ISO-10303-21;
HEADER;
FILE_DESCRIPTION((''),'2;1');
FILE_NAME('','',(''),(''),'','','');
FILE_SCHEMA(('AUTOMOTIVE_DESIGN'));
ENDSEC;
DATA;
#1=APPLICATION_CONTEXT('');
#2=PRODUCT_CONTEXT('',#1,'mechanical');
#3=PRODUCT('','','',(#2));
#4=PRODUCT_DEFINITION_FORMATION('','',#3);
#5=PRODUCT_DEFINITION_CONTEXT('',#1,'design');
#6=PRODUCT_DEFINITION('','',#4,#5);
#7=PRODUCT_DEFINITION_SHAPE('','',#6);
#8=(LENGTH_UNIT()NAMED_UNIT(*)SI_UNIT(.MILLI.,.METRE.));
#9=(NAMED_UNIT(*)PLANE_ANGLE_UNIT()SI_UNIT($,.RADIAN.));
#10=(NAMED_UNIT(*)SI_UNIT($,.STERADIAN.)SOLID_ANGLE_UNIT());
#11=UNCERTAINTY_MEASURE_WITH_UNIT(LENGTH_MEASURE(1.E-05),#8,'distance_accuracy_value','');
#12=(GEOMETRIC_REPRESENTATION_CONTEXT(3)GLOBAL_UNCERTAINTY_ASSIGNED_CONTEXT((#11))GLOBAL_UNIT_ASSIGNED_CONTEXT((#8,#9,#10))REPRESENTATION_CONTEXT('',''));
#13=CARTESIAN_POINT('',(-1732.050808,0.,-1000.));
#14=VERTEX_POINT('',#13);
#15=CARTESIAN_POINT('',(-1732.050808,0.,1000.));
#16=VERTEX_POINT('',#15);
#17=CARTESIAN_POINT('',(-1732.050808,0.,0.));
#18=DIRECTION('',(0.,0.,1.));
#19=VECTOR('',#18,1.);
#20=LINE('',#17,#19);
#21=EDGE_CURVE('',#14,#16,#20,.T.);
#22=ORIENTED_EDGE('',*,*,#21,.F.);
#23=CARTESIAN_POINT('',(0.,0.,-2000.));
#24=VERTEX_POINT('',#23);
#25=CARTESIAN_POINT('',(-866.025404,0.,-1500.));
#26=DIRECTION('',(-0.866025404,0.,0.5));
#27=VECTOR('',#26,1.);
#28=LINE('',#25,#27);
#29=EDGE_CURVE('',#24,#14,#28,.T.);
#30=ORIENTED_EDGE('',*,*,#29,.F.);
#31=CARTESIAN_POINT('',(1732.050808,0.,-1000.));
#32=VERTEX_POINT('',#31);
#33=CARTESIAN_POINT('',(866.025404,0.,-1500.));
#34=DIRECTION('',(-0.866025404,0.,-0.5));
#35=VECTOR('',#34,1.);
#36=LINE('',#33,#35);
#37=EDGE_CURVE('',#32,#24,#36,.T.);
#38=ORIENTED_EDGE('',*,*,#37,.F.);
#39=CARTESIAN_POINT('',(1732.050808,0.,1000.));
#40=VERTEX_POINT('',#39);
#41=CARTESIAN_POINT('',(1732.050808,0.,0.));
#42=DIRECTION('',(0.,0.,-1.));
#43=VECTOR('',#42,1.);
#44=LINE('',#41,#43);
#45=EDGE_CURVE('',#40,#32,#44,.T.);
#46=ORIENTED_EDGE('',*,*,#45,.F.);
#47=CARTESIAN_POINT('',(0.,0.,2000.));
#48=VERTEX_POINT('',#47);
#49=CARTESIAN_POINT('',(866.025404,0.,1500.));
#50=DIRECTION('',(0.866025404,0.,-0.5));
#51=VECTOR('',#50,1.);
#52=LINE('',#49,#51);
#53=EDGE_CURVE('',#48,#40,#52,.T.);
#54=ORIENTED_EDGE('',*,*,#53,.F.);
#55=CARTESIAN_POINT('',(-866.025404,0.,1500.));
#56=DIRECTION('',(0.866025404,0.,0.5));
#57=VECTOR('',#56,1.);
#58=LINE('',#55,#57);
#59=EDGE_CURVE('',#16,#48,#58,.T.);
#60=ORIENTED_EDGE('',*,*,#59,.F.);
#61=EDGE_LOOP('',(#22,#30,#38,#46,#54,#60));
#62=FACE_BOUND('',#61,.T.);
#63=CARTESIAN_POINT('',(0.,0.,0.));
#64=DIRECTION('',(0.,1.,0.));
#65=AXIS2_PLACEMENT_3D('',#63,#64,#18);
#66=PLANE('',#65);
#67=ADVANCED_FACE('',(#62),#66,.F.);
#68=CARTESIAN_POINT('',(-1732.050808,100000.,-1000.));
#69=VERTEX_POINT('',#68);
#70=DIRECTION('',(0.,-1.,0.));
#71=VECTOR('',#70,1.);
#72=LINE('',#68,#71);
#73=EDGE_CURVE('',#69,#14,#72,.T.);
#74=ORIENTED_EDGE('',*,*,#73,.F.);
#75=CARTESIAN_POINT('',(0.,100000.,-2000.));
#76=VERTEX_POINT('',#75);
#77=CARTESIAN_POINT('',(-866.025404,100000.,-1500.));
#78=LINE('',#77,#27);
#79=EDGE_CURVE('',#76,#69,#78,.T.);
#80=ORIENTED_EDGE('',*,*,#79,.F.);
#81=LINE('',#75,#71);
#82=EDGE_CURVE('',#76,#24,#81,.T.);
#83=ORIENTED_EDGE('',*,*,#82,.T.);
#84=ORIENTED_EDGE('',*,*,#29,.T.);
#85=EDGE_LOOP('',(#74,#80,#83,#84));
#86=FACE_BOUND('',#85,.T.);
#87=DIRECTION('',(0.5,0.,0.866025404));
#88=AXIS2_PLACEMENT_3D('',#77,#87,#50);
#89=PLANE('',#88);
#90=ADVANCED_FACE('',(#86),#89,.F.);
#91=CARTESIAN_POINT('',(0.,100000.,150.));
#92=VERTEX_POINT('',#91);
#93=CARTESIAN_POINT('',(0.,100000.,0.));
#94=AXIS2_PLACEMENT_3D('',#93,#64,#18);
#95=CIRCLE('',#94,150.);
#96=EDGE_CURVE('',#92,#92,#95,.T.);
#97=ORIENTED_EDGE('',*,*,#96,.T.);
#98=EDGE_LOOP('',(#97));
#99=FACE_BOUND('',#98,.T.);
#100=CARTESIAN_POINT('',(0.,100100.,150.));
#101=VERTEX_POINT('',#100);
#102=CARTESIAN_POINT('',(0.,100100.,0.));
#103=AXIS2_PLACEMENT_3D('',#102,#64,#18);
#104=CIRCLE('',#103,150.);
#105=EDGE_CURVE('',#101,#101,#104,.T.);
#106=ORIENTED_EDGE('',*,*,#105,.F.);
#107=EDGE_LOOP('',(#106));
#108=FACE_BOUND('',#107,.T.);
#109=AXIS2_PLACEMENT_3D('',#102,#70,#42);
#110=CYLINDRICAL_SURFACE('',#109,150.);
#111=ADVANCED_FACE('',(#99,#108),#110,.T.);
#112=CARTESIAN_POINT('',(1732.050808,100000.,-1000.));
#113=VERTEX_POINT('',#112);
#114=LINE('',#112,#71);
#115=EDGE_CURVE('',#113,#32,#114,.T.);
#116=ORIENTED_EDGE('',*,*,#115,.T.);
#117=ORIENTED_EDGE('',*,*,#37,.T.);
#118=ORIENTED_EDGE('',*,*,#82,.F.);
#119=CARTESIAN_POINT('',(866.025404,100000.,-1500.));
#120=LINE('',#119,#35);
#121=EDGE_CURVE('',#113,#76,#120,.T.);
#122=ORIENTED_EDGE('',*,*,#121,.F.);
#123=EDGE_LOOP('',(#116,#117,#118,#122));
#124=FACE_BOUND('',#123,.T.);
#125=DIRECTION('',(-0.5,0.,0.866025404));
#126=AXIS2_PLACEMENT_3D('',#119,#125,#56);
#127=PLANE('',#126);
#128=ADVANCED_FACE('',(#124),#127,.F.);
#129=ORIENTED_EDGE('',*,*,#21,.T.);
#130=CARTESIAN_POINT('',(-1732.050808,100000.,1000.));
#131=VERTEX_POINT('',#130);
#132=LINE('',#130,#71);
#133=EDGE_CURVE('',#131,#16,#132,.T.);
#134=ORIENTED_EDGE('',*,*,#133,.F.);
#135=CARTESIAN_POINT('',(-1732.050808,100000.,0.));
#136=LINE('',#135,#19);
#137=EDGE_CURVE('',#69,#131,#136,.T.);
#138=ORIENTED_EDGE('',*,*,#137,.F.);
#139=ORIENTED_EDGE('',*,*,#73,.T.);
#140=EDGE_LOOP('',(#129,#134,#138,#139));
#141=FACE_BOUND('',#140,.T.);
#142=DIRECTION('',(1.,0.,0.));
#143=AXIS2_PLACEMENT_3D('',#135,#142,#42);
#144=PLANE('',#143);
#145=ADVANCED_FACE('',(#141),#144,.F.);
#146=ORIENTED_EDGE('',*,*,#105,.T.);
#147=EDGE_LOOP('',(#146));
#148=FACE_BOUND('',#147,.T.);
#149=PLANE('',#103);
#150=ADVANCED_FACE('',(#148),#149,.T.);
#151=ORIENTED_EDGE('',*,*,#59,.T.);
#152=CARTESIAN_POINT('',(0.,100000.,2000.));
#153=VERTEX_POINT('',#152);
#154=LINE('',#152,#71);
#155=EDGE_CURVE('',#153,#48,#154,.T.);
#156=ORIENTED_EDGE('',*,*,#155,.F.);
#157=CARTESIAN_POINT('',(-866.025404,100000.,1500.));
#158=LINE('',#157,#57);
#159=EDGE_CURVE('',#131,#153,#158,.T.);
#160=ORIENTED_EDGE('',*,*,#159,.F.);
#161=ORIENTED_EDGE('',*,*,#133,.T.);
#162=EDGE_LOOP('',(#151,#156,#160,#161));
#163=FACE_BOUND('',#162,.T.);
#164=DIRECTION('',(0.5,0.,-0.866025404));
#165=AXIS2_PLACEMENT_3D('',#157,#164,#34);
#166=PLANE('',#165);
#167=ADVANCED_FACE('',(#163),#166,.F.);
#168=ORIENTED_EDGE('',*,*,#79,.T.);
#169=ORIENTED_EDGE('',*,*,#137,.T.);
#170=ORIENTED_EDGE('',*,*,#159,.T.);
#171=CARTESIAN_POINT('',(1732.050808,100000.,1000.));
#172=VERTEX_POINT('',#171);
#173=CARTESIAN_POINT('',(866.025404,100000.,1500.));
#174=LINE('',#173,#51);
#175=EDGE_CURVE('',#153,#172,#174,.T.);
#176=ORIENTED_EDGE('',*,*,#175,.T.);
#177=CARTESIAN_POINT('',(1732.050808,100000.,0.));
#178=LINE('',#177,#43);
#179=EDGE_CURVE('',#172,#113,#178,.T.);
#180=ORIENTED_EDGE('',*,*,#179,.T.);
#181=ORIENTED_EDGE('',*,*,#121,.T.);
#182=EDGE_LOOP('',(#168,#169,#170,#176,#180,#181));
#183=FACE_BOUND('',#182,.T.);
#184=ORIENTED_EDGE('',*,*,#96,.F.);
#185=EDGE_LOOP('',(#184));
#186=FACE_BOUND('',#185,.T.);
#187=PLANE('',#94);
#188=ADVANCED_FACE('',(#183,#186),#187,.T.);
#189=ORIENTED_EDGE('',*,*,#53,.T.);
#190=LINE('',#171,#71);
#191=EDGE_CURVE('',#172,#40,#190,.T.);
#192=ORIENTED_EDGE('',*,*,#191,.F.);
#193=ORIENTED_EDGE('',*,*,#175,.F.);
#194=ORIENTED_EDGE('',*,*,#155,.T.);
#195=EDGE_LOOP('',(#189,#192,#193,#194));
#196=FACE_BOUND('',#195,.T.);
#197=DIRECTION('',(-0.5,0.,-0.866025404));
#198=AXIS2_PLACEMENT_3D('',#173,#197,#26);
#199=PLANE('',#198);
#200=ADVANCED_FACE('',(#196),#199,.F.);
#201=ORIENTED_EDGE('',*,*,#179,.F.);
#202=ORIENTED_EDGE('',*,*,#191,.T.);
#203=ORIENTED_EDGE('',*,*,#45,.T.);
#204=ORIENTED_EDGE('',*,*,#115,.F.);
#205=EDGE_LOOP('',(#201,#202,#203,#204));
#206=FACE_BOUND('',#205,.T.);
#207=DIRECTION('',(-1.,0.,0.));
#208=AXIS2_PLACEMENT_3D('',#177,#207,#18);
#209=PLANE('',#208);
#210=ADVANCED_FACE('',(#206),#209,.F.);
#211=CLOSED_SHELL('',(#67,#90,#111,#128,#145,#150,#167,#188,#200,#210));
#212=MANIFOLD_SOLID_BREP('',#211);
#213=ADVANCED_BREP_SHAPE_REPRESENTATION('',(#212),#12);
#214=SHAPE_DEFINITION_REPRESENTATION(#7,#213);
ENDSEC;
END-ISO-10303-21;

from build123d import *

# Parameters (mm, degrees)
BOSS_EXTRUDE1_DEPTH = 100000
SKETCH2_R           = 150
BOSS_EXTRUDE2_DEPTH = 100


with BuildPart() as part:
    # Sketch1 → Boss-Extrude1 (new body)
    with BuildSketch(Plane(origin=(0, 0, 0), x_dir=(1, 0, 0), z_dir=(0, 1, 0))):
        Polygon((0, -2000), (1732.050807569, -1000), (1732.050807569, 1000), (0, 2000), (-1732.050807569, 1000), (-1732.050807569, -1000), align=None)
    extrude(amount=BOSS_EXTRUDE1_DEPTH)

    # Sketch2 → Boss-Extrude2 (add)
    with BuildSketch(Plane(origin=(0, 100000, 0), x_dir=(1, 0, 0), z_dir=(0, 1, 0))):
        with Locations(Location((0, 0, 0), (0, 0, 270))):
            Circle(SKETCH2_R)
    extrude(amount=BOSS_EXTRUDE2_DEPTH)


solid = part.part
